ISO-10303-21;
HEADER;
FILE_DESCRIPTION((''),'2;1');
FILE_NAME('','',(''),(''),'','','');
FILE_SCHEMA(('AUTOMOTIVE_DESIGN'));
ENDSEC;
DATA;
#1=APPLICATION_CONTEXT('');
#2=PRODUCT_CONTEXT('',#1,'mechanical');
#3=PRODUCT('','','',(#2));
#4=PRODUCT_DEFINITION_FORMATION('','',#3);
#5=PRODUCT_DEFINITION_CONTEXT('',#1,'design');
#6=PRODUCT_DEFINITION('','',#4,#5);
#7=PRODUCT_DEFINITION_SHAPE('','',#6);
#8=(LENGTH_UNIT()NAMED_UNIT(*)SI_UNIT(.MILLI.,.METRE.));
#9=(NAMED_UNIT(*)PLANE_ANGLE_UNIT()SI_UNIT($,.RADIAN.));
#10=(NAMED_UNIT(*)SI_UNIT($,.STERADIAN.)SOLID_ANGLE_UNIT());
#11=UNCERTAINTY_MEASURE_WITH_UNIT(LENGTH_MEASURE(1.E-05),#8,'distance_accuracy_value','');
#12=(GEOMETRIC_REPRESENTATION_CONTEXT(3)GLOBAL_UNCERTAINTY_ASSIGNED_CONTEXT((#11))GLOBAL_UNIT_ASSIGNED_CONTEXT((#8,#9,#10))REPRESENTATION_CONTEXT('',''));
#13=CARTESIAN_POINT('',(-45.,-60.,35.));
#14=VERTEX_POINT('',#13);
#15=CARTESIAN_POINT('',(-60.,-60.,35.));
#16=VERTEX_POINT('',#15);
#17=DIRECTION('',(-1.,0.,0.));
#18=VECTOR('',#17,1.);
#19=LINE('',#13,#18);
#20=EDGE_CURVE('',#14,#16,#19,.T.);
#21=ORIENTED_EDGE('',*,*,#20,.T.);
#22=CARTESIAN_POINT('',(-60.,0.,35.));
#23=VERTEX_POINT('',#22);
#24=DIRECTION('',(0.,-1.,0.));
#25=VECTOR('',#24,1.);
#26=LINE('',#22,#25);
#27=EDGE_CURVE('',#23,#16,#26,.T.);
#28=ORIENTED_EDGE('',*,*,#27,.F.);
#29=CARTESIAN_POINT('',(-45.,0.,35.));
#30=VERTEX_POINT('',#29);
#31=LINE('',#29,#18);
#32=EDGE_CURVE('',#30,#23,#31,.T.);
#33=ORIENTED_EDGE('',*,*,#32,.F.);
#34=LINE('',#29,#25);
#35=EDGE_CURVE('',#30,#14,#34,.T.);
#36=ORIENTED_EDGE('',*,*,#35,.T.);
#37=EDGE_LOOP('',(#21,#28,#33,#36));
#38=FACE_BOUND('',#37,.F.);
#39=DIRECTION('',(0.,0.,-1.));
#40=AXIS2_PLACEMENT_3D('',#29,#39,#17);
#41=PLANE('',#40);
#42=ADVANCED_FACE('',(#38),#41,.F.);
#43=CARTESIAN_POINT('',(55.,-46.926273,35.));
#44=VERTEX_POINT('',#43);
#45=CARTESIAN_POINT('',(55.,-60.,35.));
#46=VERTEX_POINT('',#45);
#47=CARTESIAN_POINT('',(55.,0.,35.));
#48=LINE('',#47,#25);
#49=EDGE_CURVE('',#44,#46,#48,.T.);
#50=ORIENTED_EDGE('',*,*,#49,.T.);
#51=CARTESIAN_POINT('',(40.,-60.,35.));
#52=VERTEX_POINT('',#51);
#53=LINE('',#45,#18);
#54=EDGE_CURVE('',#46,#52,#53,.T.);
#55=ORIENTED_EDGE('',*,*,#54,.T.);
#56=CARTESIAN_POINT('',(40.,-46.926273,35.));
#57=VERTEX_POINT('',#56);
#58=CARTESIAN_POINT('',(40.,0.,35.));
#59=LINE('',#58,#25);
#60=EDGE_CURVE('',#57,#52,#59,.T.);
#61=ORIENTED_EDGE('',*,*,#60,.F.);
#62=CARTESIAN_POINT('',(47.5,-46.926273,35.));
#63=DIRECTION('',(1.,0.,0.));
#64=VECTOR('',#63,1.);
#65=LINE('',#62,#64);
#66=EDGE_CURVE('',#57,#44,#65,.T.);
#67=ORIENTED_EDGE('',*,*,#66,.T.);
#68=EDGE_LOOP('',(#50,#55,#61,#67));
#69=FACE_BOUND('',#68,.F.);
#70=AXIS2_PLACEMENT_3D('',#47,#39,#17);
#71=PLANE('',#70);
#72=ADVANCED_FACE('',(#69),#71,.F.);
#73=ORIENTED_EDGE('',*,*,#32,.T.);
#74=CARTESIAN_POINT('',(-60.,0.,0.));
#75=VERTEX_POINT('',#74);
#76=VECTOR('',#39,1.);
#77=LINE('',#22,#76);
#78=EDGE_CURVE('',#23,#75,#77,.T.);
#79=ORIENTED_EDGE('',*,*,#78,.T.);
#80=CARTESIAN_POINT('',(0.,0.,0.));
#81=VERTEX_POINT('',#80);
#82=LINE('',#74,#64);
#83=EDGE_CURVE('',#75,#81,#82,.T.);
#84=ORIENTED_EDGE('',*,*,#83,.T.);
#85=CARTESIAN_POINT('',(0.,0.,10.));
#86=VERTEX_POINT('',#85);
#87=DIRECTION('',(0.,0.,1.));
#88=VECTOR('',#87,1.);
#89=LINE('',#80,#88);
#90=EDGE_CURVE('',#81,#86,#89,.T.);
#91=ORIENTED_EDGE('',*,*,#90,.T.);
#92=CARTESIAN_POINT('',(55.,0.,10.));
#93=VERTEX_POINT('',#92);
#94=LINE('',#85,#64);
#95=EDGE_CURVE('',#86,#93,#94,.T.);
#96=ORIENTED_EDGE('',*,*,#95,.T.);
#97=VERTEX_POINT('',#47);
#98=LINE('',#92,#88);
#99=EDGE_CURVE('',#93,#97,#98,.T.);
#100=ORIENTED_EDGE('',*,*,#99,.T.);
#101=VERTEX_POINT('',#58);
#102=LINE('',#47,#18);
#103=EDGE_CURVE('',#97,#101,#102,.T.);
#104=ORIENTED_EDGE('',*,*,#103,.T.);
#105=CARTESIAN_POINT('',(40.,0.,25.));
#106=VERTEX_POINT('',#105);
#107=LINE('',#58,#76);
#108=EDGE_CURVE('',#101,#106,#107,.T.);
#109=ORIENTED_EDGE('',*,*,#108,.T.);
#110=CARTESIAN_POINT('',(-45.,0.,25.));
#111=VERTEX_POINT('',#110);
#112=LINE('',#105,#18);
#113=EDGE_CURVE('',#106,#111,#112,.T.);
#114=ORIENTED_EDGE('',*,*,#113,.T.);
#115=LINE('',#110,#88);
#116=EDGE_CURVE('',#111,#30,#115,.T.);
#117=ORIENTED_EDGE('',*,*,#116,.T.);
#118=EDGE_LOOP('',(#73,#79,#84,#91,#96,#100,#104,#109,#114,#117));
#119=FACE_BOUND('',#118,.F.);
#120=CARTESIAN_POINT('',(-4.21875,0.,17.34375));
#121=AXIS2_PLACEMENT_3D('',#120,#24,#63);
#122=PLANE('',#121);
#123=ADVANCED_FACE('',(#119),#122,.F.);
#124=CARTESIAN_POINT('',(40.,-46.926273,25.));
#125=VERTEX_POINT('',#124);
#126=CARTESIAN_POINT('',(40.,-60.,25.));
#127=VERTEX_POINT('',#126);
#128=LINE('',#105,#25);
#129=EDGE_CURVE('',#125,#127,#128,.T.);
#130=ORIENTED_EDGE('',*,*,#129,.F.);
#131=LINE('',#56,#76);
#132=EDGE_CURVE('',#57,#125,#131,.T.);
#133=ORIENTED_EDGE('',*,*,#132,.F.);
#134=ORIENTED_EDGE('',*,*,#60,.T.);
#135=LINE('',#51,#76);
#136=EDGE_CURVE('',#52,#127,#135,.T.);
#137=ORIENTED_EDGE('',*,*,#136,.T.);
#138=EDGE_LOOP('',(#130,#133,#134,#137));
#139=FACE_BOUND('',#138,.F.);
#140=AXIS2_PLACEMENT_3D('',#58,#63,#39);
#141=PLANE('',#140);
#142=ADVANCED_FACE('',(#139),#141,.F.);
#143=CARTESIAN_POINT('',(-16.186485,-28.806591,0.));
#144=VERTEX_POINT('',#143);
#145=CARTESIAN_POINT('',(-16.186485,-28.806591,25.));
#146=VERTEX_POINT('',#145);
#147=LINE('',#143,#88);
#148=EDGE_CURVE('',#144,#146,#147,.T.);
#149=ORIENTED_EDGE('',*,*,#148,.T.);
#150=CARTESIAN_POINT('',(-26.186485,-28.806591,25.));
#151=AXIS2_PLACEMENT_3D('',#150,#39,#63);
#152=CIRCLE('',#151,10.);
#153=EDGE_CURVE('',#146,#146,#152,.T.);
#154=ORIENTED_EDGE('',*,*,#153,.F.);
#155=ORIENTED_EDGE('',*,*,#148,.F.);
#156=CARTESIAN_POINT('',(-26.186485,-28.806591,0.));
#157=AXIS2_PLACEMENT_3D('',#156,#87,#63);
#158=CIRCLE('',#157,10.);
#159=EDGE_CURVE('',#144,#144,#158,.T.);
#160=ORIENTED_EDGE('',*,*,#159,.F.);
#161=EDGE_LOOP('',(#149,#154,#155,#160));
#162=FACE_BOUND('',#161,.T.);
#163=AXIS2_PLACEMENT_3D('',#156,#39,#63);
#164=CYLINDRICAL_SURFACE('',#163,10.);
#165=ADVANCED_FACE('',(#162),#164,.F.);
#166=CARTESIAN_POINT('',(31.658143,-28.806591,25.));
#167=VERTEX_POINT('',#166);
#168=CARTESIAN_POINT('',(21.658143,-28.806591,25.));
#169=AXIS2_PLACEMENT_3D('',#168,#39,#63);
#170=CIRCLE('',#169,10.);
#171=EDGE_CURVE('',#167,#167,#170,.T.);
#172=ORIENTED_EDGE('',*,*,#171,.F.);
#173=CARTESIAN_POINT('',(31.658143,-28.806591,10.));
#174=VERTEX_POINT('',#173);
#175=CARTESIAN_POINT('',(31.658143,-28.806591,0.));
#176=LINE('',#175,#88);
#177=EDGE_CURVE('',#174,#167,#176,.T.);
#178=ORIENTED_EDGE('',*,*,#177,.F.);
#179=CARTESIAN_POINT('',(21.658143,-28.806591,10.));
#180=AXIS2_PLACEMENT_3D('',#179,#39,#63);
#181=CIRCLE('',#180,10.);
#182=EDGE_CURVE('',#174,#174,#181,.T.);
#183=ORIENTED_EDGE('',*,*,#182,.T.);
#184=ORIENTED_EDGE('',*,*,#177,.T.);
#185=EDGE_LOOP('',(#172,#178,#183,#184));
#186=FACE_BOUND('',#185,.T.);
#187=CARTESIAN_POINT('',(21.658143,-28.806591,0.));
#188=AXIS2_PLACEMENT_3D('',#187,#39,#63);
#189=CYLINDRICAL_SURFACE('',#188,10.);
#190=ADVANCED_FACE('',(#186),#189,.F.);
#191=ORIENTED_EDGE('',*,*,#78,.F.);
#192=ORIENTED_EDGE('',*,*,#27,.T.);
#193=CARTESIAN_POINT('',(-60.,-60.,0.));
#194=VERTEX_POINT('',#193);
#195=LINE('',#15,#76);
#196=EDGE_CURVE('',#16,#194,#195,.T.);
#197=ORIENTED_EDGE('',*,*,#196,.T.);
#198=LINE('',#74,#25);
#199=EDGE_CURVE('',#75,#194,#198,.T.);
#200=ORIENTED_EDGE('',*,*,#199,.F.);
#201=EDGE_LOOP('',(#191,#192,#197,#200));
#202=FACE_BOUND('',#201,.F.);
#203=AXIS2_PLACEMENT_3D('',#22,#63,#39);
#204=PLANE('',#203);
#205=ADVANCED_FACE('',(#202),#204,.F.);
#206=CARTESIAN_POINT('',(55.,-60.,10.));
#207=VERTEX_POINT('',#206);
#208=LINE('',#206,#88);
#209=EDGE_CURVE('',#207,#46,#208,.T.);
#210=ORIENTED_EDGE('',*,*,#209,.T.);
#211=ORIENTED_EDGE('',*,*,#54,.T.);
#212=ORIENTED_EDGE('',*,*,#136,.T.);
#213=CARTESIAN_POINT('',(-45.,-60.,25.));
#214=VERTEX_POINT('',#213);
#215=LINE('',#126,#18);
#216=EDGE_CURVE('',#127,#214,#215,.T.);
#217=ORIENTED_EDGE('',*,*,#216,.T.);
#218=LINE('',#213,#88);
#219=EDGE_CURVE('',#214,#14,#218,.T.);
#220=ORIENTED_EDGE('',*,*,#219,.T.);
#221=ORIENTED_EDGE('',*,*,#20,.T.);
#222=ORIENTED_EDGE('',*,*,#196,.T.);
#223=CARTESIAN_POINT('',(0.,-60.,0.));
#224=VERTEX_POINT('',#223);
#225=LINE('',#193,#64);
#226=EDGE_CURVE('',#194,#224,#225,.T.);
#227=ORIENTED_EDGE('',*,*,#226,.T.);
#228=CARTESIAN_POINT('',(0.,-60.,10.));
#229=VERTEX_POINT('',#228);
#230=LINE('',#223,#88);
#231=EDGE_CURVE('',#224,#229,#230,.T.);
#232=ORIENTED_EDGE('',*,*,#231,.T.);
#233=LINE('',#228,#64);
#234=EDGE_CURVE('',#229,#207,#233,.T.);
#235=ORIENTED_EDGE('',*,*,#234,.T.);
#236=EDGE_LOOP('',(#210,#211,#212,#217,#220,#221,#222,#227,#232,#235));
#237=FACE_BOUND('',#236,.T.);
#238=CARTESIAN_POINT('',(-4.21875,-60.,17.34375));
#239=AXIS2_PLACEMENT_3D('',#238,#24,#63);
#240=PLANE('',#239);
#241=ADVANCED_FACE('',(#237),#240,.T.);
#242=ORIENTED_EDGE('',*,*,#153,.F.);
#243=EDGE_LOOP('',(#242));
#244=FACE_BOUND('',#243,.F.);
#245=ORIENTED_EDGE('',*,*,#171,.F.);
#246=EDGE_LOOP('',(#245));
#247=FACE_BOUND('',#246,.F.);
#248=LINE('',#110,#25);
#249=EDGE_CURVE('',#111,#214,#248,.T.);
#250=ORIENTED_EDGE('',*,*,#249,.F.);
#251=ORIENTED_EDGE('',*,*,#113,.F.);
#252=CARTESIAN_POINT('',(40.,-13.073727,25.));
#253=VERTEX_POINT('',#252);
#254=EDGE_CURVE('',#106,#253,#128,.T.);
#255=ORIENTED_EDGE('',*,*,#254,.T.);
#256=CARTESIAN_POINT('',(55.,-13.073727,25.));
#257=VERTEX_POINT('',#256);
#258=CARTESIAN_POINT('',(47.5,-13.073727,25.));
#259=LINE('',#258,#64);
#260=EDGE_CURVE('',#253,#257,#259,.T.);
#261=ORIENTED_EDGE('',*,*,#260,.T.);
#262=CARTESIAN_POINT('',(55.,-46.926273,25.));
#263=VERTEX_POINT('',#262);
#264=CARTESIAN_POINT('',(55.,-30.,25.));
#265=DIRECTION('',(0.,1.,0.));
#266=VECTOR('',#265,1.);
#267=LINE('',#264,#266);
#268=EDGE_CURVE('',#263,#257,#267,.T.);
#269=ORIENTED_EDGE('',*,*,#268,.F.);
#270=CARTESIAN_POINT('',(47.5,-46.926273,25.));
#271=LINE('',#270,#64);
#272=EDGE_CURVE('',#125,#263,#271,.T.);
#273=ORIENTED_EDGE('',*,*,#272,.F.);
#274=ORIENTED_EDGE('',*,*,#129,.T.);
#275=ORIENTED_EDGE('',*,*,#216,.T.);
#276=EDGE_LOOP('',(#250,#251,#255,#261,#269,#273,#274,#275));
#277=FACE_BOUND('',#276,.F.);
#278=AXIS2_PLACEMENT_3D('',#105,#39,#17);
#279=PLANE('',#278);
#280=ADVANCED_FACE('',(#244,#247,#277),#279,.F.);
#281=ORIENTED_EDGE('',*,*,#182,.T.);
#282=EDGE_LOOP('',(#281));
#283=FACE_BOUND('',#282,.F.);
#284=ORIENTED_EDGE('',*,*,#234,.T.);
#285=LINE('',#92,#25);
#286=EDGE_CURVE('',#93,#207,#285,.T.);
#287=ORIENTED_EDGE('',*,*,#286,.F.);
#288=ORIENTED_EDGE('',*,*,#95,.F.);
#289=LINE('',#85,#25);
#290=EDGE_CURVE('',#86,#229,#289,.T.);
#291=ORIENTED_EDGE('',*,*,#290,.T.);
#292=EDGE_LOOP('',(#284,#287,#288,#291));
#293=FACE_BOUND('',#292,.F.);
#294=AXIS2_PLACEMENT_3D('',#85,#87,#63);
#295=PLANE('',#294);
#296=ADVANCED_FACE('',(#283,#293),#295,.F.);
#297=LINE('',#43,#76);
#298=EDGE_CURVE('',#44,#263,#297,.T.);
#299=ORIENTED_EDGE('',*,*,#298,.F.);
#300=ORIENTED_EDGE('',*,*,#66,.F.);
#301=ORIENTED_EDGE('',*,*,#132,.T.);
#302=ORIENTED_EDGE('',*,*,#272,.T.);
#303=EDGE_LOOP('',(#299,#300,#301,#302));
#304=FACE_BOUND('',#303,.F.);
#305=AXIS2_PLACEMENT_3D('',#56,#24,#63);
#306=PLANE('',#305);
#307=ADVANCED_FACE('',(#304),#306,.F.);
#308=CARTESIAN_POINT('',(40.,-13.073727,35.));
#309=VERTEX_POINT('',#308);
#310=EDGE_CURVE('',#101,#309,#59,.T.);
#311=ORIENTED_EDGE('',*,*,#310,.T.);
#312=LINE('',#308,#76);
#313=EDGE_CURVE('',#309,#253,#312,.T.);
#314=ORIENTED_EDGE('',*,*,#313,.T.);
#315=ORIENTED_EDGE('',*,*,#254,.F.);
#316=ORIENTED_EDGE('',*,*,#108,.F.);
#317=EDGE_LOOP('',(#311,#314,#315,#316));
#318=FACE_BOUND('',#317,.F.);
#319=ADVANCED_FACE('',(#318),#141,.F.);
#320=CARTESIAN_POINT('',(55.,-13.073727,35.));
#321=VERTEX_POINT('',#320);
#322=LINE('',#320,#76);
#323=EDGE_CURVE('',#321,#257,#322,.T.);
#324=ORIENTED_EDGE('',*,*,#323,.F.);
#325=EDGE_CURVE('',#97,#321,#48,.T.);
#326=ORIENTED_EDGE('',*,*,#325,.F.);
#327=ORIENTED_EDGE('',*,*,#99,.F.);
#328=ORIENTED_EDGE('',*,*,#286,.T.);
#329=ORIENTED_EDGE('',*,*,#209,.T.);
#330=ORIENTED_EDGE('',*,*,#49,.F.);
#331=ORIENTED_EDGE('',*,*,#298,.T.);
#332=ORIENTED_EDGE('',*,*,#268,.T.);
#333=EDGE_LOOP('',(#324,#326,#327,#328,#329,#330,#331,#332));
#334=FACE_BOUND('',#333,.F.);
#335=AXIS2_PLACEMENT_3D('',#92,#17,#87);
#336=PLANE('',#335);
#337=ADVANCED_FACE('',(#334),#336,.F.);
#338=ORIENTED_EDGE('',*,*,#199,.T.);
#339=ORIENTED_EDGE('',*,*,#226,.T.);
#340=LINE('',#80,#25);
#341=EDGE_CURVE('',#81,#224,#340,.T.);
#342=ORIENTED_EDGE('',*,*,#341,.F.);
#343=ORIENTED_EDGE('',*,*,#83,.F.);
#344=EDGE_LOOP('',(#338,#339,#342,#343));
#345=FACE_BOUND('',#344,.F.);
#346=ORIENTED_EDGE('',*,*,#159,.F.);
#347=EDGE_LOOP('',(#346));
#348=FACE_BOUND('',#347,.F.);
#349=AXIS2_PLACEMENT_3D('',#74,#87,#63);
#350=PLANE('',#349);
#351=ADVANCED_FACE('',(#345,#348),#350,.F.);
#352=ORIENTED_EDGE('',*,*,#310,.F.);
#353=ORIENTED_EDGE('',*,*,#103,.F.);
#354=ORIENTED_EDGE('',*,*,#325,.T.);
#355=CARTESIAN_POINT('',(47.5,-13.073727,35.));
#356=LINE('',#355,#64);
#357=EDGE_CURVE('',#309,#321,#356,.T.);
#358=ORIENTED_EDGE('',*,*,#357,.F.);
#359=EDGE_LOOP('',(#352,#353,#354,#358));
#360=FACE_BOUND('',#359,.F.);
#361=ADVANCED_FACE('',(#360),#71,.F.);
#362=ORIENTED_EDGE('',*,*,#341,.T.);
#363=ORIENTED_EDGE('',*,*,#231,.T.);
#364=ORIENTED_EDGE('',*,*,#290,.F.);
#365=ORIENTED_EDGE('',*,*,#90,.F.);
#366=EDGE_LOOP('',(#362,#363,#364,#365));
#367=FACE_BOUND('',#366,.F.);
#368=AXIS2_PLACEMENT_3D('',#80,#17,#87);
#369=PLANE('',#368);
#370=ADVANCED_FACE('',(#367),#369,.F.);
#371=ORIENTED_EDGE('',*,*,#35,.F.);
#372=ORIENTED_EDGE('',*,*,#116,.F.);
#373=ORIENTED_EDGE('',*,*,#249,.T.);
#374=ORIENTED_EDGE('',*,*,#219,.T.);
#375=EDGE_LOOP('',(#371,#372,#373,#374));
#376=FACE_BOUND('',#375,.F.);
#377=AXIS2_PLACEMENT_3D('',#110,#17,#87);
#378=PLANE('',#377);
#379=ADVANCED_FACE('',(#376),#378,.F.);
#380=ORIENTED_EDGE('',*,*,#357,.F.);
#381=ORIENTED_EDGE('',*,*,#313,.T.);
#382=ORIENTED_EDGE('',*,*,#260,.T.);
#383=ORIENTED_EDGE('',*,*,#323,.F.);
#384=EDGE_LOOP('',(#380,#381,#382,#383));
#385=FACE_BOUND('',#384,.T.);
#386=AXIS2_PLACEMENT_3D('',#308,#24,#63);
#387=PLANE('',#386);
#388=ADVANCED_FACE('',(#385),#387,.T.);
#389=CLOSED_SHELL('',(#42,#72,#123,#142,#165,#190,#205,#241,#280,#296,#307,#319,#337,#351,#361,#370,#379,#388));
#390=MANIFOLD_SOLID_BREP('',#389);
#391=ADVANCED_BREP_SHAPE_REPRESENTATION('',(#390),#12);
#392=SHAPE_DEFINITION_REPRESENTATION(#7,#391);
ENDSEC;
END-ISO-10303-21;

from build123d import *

# Parameters (mm, degrees)
F1_DEPTH = 60
F2_R     = 10
F3_DEPTH = 34.8
F4_W     = 15
F4_H     = 33.852546
F5_DEPTH = 10


with BuildPart() as f1:
    # F0 (on Front) → F1 (new body)
    with BuildSketch(Plane.XZ):
        Polygon((-60, 35), (-60, 0), (0, 0), (0, 10), (55, 10), (55, 35), (40, 35), (40, 25), (-45, 25), (-45, 35), align=None)
    extrude(amount=F1_DEPTH)

    # F2 (on Top) → F3 (cut)
    with BuildSketch(Plane.XY):
        with Locations((-26.186485, -28.806591)):
            Circle(F2_R)
        with Locations((21.658143, -28.806591)):
            Circle(F2_R)
    extrude(amount=F3_DEPTH, mode=Mode.SUBTRACT)

    # F4 (on face) → F5 (cut)
    with BuildSketch(Plane.XY.offset(35)):
        with Locations((47.5, -30)):
            Rectangle(F4_W, F4_H)
    extrude(amount=-F5_DEPTH, mode=Mode.SUBTRACT)


solid = f1.part
